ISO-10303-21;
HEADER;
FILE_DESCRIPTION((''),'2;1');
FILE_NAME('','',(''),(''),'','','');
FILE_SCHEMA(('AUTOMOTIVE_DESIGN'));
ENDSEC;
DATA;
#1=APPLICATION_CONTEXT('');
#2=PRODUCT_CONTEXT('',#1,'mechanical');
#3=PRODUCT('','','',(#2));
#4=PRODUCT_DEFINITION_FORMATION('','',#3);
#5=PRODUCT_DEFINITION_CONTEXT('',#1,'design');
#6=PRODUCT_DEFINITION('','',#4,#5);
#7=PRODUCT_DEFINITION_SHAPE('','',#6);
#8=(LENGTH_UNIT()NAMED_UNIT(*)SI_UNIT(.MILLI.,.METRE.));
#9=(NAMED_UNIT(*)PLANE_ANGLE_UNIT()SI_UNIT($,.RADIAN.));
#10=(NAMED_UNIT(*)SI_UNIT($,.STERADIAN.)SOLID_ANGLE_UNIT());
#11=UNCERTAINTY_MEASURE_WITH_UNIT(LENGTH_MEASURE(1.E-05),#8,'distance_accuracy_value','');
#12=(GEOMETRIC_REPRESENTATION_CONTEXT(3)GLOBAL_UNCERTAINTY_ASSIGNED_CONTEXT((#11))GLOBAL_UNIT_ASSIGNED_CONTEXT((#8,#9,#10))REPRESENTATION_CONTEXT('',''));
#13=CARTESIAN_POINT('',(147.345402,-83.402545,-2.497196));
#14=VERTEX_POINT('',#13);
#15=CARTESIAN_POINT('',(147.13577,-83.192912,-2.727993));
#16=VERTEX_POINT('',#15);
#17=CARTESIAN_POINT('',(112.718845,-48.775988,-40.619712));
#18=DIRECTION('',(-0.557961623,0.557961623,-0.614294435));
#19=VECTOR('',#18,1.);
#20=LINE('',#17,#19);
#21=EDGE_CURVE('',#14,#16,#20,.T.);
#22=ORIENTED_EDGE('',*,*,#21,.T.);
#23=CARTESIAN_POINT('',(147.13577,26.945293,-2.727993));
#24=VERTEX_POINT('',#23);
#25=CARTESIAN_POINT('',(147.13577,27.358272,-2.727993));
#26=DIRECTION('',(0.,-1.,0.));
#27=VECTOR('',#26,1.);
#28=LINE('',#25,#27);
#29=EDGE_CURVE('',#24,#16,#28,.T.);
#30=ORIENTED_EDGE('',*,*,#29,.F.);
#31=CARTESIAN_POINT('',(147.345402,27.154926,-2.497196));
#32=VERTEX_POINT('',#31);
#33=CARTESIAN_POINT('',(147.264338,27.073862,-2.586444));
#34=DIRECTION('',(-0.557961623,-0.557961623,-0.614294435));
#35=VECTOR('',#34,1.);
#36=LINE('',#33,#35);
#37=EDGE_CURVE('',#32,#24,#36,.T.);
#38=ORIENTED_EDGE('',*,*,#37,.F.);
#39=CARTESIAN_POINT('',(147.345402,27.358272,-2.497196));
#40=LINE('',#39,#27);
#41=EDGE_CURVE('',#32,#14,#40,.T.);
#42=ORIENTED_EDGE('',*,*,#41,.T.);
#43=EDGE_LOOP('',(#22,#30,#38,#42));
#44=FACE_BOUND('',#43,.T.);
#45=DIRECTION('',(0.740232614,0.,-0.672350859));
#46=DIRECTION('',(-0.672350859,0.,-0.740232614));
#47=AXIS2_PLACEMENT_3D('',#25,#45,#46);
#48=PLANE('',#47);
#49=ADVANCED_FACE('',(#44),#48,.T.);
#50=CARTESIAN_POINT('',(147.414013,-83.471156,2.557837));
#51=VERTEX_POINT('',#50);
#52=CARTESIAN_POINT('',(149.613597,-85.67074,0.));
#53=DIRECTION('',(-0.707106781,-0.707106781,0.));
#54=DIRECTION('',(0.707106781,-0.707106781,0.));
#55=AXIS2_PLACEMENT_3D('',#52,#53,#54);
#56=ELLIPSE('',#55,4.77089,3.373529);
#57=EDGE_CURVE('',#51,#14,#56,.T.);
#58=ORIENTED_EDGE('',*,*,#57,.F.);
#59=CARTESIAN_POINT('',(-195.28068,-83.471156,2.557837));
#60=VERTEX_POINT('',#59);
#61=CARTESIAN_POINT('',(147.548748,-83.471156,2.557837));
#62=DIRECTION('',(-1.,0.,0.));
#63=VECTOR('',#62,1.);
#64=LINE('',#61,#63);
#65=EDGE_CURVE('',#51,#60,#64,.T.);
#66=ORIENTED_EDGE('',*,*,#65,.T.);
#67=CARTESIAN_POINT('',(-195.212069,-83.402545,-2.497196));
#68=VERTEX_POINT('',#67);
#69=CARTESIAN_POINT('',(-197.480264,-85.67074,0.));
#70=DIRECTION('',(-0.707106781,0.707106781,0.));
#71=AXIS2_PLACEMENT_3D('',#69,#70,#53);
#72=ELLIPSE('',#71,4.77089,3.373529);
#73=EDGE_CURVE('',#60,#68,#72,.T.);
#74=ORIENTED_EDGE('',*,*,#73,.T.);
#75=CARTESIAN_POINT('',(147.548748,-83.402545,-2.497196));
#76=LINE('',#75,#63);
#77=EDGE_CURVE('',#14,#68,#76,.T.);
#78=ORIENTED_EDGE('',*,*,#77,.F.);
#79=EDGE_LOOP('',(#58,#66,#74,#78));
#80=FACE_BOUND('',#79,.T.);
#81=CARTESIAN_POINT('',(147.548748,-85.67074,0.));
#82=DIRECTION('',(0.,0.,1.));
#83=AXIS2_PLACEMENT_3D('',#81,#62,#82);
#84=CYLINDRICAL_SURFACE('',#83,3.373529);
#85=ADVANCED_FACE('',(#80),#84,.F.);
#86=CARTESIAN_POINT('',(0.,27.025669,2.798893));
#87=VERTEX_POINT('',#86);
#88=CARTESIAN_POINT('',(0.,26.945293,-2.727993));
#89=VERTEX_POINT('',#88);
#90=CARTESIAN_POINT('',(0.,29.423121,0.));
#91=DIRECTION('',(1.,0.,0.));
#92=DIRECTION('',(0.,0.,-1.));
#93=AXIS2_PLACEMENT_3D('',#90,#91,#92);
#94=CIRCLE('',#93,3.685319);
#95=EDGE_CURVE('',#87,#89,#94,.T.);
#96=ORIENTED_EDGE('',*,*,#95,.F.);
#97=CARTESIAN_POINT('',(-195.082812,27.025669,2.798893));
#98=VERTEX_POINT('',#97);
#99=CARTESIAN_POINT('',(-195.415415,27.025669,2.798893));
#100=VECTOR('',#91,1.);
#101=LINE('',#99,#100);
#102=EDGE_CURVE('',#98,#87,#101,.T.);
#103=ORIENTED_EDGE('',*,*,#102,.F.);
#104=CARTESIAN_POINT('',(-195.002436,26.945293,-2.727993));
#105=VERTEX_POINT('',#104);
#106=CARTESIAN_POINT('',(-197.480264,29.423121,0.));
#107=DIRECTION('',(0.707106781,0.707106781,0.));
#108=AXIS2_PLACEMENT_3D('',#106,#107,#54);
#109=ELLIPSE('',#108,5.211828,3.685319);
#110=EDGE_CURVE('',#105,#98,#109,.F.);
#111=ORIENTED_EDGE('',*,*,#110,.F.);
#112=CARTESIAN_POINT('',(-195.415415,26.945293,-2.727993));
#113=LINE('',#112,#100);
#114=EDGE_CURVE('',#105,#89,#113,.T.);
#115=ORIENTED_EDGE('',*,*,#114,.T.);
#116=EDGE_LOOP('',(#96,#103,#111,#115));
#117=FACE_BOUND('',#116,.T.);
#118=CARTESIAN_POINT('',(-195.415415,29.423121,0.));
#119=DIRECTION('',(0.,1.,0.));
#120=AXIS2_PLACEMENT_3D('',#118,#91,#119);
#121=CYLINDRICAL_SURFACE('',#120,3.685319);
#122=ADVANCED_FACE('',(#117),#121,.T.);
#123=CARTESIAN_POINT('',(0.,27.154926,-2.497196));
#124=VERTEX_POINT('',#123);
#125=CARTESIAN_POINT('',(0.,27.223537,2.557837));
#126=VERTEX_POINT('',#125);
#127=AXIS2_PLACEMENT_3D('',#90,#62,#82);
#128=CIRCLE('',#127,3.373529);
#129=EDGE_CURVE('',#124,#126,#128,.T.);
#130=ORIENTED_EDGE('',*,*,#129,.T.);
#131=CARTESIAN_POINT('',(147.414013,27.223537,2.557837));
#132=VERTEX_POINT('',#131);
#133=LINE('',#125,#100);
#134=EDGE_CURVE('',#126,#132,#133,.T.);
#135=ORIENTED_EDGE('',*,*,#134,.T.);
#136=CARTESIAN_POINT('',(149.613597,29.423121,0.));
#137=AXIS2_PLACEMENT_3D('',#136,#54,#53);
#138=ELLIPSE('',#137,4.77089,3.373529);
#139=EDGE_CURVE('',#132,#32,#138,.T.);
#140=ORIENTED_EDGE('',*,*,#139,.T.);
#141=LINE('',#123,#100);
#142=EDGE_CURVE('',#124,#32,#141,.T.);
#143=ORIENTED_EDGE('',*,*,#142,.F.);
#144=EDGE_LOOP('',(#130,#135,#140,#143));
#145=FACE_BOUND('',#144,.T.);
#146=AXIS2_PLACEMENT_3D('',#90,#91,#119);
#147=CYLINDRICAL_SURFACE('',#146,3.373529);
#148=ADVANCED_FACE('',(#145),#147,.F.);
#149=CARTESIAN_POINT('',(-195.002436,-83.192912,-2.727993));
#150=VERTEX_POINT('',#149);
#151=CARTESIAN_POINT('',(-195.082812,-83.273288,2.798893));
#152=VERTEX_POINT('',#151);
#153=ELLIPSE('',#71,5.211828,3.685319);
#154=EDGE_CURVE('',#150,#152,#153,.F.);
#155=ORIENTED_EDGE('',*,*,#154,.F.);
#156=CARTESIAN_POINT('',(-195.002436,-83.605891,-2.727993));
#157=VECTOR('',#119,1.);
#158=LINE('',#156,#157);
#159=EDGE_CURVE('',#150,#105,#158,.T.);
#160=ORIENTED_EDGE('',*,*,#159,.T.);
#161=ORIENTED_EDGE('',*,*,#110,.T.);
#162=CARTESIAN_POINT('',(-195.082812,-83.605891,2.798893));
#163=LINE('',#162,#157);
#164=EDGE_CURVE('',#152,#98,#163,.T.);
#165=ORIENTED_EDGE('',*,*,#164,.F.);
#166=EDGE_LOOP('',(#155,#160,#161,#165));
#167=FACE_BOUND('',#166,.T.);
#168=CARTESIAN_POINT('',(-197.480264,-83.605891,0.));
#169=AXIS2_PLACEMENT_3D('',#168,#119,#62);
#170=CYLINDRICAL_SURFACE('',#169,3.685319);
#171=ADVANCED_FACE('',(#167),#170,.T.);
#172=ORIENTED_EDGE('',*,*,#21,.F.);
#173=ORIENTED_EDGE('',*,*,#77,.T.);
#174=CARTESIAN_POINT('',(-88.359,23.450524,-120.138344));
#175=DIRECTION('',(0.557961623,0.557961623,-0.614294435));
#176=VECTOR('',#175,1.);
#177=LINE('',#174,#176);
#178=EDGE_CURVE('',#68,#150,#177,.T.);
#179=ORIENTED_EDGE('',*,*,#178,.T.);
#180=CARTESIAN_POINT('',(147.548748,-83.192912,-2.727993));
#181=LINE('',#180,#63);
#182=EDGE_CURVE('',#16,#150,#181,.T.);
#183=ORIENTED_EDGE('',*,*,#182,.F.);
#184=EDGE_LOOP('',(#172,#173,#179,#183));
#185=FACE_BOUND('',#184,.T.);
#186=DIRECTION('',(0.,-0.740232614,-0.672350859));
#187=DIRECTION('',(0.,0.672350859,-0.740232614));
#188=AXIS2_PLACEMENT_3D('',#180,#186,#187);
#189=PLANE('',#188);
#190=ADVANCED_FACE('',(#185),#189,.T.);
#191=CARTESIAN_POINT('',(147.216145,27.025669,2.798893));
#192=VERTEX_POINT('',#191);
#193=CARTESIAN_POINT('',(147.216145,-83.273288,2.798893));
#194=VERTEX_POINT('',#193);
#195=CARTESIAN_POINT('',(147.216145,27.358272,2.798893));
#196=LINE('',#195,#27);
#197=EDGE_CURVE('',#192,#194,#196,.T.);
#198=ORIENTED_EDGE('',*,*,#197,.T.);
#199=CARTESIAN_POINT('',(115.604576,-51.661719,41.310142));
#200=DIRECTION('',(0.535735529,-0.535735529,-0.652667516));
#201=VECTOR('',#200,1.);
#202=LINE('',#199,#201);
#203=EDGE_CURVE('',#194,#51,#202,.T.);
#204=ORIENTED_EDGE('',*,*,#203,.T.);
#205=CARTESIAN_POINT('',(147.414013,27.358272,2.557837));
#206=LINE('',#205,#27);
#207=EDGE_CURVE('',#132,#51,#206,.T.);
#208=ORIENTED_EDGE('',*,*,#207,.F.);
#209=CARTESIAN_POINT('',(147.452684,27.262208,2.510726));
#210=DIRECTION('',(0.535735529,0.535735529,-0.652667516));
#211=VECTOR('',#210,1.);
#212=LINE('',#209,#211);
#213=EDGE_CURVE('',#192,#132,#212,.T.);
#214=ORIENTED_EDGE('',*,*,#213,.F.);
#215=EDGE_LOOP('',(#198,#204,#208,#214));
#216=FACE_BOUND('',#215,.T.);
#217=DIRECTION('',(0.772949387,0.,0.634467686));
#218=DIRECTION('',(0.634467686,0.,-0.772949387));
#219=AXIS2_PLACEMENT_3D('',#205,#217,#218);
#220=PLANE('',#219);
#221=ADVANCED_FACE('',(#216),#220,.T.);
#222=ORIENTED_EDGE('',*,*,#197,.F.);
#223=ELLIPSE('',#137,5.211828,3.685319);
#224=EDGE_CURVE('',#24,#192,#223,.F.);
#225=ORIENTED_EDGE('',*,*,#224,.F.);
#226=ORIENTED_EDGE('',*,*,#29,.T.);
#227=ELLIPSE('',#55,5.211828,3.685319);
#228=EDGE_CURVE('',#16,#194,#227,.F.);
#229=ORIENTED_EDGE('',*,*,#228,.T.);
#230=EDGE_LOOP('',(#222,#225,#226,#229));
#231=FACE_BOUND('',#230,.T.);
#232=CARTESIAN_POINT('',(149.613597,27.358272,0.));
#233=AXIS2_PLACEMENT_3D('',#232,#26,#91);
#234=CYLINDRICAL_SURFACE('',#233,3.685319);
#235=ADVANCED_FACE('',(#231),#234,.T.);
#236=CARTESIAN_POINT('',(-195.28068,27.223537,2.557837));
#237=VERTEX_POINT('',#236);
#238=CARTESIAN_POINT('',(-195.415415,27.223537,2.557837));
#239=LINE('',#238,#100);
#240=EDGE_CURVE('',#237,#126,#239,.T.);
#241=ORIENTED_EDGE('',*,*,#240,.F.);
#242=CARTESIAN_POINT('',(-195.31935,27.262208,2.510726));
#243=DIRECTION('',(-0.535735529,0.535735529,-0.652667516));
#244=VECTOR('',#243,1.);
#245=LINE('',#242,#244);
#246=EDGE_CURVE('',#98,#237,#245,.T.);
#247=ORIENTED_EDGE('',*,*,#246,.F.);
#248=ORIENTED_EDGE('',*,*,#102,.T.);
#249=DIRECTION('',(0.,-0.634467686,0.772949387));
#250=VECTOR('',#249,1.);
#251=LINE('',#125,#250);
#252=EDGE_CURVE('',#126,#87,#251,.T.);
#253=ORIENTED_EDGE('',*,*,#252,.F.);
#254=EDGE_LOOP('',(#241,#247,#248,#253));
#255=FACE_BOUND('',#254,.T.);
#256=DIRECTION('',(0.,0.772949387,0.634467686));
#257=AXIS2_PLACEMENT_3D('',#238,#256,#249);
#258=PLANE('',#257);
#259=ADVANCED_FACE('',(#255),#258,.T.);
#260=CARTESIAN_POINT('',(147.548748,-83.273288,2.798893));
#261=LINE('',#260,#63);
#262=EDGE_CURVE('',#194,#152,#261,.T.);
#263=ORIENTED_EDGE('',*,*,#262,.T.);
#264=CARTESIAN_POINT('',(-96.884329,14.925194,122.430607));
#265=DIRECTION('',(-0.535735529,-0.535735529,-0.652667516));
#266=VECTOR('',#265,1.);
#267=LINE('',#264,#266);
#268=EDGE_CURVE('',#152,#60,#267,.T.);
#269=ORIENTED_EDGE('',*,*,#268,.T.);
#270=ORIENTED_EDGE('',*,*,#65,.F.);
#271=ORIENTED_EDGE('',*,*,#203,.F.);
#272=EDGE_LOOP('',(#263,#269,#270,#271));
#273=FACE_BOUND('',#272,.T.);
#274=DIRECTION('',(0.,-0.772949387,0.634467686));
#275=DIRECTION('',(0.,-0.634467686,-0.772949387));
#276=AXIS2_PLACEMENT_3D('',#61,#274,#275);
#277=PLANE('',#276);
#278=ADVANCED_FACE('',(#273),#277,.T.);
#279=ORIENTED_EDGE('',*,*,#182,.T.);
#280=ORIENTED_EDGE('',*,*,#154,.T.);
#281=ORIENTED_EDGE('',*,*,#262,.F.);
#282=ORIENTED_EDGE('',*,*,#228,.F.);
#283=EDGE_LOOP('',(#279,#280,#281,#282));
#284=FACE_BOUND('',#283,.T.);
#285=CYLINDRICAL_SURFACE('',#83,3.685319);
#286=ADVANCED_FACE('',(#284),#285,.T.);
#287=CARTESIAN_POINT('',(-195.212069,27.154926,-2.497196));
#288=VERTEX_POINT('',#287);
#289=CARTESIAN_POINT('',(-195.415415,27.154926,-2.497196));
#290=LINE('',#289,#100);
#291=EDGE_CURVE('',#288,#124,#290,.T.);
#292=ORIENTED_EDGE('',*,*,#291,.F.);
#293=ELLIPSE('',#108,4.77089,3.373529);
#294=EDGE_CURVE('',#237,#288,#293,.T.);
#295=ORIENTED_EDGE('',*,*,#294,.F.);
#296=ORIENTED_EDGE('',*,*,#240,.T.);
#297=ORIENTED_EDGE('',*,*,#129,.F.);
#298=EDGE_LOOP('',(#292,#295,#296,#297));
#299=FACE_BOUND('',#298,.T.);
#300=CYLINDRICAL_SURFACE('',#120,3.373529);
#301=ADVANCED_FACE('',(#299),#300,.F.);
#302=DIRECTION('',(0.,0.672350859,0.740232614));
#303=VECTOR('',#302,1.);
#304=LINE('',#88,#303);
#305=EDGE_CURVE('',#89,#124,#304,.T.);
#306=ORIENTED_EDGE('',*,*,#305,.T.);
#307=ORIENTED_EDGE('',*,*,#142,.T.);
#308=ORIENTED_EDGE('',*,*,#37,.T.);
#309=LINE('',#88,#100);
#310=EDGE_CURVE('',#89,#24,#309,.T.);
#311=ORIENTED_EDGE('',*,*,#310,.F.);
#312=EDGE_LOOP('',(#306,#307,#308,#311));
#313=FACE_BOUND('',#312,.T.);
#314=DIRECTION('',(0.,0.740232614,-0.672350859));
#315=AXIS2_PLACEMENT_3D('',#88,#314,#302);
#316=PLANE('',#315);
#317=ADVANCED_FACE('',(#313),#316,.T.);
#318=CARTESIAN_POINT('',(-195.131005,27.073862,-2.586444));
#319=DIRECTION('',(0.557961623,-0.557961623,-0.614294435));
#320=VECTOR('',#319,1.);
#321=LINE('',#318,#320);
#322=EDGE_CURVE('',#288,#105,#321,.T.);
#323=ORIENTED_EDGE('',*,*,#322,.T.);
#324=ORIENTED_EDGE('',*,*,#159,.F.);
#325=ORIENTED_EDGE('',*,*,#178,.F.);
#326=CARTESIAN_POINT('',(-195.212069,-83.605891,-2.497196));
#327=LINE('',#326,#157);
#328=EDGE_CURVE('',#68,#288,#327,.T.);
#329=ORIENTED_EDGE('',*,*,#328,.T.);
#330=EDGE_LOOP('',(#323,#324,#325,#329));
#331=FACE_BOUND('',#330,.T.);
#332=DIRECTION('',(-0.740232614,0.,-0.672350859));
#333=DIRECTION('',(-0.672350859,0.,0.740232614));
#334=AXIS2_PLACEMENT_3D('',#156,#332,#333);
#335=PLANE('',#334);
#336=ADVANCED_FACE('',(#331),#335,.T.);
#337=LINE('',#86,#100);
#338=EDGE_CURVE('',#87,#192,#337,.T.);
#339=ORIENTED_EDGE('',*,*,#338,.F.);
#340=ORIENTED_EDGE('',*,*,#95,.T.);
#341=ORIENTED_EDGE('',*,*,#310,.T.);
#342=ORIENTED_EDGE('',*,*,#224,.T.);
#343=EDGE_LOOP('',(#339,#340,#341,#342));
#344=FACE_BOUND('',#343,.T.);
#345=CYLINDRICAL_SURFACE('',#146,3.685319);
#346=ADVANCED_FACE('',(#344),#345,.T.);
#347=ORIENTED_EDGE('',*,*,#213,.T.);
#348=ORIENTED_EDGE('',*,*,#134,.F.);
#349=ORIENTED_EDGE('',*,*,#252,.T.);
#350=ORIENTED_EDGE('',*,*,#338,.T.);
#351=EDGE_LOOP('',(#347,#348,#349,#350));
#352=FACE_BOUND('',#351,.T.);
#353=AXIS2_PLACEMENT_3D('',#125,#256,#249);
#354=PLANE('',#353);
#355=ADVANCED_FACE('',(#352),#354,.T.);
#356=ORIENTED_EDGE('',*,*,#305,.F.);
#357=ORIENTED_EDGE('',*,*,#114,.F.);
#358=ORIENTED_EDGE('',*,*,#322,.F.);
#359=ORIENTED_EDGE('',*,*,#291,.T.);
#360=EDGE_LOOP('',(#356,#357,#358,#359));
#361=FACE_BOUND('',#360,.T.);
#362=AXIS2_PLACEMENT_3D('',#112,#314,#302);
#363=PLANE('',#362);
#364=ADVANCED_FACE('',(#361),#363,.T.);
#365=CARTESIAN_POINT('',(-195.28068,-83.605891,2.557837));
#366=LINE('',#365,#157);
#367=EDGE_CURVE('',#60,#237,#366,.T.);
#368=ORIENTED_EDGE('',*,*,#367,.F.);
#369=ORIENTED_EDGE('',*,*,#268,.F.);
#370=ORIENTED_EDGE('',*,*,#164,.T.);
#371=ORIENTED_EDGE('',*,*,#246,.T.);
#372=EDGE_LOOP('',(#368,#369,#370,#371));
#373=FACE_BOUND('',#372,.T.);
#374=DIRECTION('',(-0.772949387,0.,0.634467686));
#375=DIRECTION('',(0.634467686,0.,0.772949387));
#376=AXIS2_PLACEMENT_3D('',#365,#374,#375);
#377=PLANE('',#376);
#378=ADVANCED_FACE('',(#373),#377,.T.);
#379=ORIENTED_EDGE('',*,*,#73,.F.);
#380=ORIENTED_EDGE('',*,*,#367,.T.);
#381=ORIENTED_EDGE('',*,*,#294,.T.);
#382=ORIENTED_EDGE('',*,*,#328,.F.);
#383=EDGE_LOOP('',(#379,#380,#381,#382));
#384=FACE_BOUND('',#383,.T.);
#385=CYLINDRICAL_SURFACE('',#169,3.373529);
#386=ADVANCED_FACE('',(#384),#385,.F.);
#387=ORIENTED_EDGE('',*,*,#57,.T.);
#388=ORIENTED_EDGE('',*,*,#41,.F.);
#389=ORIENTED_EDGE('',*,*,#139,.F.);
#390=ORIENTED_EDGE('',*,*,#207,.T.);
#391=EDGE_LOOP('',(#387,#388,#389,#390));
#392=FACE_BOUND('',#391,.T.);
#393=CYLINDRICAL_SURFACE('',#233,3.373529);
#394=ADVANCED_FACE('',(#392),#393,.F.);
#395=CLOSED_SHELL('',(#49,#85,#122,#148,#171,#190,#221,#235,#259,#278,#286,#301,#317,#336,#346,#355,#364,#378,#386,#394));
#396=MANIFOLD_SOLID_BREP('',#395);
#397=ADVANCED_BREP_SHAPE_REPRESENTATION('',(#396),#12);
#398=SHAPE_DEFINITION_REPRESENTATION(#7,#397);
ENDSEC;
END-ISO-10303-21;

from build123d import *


with BuildPart() as part:
    # Sweep1: sweep along a path in Sketch6
    with BuildLine(Plane.XY) as sweep1_path:
        Line((-194.933333333, 26.876190476), (-194.933333333, -83.123809524))
        Line((-194.933333333, -83.123809524), (147.066666667, -83.123809524))
        Line((147.066666667, -83.123809524), (147.066666667, 26.876190476))
        Line((147.066666667, 26.876190476), (-194.933333333, 26.876190476))
    # Sketch7 → Sweep1 (sweep)
    with BuildSketch(Plane(origin=(0, 0, 0), x_dir=(0, 0, -1), z_dir=(1, 0, 0))):
        with BuildLine():
            Line((2.727993364, 26.945293334), (2.497196154, 27.154925683))
            ThreePointArc((2.497196154, 27.154925683), (-0.045784316, 26.049902517), (-2.557836818, 27.223537083))
            Line((-2.557836818, 27.223537083), (-2.798892732, 27.025668774))
            ThreePointArc((-2.798892732, 27.025668774), (-0.053588552, 25.738191345), (2.727993364, 26.945293334))
        make_face()
    sweep(path=sweep1_path.line, transition=Transition.RIGHT)


solid = part.part
